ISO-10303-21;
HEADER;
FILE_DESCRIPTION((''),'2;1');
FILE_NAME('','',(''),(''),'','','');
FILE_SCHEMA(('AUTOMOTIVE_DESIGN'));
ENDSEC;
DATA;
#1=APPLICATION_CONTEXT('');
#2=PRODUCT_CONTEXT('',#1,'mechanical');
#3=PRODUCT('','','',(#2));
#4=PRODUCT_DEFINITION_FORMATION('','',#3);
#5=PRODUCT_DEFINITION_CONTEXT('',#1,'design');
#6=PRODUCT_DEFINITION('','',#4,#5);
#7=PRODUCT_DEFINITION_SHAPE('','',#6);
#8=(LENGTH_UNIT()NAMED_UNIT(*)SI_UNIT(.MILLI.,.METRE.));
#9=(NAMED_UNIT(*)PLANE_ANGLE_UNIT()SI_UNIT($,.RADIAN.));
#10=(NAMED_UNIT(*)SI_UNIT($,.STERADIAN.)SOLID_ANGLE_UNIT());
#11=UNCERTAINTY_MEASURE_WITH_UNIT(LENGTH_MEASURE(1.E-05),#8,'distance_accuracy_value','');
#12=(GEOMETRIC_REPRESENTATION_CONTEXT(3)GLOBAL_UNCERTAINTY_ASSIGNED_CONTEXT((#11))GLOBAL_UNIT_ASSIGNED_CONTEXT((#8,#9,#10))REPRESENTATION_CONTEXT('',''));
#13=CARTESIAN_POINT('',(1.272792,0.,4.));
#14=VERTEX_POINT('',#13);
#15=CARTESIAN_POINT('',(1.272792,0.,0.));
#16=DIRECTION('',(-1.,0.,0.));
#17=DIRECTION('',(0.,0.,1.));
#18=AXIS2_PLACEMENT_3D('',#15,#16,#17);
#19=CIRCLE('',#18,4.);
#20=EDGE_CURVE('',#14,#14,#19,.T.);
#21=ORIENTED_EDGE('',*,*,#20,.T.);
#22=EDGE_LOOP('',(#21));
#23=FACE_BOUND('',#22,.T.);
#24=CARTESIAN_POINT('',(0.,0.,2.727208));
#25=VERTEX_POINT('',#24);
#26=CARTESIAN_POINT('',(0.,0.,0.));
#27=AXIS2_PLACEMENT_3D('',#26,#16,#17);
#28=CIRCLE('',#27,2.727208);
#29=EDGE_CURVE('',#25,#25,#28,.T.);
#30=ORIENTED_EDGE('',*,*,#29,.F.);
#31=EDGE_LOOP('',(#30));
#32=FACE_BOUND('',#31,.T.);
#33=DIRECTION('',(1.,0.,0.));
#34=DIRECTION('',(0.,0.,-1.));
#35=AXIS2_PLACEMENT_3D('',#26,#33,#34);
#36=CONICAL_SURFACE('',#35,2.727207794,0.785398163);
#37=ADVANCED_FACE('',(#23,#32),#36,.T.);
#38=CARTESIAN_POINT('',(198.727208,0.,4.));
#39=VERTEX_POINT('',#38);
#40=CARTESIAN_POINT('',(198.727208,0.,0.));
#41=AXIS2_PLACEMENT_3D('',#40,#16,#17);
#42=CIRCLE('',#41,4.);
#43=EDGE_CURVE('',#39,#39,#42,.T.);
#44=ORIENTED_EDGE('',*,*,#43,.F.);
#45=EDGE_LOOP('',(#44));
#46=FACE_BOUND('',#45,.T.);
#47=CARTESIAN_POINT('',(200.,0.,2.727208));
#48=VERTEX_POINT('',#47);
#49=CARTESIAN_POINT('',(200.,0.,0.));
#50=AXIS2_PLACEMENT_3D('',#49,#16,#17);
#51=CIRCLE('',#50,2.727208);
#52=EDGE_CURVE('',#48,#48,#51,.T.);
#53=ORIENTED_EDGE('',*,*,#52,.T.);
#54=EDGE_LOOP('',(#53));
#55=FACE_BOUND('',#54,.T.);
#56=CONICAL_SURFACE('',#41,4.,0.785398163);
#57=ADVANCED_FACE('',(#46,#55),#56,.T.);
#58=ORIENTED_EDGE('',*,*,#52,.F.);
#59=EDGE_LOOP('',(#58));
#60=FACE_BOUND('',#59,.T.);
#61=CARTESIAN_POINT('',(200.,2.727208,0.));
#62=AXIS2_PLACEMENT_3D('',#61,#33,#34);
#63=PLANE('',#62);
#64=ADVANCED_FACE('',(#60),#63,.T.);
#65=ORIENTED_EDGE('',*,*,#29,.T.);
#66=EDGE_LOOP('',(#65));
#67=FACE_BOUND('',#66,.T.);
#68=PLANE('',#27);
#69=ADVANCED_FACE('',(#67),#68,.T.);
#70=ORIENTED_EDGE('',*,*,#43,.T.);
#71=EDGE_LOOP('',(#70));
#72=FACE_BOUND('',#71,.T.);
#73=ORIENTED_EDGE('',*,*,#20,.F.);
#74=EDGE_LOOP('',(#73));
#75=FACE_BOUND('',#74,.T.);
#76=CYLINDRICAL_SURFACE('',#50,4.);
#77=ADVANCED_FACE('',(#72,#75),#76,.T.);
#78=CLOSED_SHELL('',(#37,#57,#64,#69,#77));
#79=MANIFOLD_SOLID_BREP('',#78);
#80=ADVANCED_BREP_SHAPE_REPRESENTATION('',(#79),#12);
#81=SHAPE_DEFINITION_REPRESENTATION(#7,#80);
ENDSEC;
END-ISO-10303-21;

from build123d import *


with BuildPart() as part:
    # Esquisse1 → Révolution1 (revolve)
    with BuildSketch(Plane(origin=(0, 0, 0), x_dir=(-1, 0, 0), z_dir=(0, 0, -1)), mode=Mode.PRIVATE) as r_volution1_sk:
        Polygon((-200, 2.727207794), (-200, 0), (0, 0), (0, 2.727207794), (-1.272792206, 4), (-198.727207794, 4), align=None)
    revolve(r_volution1_sk.sketch.rotate(Axis((200, 0, 0), (-1, 0, 0)), 270), axis=Axis((200, 0, 0), (-1, 0, 0)))


solid = part.part
